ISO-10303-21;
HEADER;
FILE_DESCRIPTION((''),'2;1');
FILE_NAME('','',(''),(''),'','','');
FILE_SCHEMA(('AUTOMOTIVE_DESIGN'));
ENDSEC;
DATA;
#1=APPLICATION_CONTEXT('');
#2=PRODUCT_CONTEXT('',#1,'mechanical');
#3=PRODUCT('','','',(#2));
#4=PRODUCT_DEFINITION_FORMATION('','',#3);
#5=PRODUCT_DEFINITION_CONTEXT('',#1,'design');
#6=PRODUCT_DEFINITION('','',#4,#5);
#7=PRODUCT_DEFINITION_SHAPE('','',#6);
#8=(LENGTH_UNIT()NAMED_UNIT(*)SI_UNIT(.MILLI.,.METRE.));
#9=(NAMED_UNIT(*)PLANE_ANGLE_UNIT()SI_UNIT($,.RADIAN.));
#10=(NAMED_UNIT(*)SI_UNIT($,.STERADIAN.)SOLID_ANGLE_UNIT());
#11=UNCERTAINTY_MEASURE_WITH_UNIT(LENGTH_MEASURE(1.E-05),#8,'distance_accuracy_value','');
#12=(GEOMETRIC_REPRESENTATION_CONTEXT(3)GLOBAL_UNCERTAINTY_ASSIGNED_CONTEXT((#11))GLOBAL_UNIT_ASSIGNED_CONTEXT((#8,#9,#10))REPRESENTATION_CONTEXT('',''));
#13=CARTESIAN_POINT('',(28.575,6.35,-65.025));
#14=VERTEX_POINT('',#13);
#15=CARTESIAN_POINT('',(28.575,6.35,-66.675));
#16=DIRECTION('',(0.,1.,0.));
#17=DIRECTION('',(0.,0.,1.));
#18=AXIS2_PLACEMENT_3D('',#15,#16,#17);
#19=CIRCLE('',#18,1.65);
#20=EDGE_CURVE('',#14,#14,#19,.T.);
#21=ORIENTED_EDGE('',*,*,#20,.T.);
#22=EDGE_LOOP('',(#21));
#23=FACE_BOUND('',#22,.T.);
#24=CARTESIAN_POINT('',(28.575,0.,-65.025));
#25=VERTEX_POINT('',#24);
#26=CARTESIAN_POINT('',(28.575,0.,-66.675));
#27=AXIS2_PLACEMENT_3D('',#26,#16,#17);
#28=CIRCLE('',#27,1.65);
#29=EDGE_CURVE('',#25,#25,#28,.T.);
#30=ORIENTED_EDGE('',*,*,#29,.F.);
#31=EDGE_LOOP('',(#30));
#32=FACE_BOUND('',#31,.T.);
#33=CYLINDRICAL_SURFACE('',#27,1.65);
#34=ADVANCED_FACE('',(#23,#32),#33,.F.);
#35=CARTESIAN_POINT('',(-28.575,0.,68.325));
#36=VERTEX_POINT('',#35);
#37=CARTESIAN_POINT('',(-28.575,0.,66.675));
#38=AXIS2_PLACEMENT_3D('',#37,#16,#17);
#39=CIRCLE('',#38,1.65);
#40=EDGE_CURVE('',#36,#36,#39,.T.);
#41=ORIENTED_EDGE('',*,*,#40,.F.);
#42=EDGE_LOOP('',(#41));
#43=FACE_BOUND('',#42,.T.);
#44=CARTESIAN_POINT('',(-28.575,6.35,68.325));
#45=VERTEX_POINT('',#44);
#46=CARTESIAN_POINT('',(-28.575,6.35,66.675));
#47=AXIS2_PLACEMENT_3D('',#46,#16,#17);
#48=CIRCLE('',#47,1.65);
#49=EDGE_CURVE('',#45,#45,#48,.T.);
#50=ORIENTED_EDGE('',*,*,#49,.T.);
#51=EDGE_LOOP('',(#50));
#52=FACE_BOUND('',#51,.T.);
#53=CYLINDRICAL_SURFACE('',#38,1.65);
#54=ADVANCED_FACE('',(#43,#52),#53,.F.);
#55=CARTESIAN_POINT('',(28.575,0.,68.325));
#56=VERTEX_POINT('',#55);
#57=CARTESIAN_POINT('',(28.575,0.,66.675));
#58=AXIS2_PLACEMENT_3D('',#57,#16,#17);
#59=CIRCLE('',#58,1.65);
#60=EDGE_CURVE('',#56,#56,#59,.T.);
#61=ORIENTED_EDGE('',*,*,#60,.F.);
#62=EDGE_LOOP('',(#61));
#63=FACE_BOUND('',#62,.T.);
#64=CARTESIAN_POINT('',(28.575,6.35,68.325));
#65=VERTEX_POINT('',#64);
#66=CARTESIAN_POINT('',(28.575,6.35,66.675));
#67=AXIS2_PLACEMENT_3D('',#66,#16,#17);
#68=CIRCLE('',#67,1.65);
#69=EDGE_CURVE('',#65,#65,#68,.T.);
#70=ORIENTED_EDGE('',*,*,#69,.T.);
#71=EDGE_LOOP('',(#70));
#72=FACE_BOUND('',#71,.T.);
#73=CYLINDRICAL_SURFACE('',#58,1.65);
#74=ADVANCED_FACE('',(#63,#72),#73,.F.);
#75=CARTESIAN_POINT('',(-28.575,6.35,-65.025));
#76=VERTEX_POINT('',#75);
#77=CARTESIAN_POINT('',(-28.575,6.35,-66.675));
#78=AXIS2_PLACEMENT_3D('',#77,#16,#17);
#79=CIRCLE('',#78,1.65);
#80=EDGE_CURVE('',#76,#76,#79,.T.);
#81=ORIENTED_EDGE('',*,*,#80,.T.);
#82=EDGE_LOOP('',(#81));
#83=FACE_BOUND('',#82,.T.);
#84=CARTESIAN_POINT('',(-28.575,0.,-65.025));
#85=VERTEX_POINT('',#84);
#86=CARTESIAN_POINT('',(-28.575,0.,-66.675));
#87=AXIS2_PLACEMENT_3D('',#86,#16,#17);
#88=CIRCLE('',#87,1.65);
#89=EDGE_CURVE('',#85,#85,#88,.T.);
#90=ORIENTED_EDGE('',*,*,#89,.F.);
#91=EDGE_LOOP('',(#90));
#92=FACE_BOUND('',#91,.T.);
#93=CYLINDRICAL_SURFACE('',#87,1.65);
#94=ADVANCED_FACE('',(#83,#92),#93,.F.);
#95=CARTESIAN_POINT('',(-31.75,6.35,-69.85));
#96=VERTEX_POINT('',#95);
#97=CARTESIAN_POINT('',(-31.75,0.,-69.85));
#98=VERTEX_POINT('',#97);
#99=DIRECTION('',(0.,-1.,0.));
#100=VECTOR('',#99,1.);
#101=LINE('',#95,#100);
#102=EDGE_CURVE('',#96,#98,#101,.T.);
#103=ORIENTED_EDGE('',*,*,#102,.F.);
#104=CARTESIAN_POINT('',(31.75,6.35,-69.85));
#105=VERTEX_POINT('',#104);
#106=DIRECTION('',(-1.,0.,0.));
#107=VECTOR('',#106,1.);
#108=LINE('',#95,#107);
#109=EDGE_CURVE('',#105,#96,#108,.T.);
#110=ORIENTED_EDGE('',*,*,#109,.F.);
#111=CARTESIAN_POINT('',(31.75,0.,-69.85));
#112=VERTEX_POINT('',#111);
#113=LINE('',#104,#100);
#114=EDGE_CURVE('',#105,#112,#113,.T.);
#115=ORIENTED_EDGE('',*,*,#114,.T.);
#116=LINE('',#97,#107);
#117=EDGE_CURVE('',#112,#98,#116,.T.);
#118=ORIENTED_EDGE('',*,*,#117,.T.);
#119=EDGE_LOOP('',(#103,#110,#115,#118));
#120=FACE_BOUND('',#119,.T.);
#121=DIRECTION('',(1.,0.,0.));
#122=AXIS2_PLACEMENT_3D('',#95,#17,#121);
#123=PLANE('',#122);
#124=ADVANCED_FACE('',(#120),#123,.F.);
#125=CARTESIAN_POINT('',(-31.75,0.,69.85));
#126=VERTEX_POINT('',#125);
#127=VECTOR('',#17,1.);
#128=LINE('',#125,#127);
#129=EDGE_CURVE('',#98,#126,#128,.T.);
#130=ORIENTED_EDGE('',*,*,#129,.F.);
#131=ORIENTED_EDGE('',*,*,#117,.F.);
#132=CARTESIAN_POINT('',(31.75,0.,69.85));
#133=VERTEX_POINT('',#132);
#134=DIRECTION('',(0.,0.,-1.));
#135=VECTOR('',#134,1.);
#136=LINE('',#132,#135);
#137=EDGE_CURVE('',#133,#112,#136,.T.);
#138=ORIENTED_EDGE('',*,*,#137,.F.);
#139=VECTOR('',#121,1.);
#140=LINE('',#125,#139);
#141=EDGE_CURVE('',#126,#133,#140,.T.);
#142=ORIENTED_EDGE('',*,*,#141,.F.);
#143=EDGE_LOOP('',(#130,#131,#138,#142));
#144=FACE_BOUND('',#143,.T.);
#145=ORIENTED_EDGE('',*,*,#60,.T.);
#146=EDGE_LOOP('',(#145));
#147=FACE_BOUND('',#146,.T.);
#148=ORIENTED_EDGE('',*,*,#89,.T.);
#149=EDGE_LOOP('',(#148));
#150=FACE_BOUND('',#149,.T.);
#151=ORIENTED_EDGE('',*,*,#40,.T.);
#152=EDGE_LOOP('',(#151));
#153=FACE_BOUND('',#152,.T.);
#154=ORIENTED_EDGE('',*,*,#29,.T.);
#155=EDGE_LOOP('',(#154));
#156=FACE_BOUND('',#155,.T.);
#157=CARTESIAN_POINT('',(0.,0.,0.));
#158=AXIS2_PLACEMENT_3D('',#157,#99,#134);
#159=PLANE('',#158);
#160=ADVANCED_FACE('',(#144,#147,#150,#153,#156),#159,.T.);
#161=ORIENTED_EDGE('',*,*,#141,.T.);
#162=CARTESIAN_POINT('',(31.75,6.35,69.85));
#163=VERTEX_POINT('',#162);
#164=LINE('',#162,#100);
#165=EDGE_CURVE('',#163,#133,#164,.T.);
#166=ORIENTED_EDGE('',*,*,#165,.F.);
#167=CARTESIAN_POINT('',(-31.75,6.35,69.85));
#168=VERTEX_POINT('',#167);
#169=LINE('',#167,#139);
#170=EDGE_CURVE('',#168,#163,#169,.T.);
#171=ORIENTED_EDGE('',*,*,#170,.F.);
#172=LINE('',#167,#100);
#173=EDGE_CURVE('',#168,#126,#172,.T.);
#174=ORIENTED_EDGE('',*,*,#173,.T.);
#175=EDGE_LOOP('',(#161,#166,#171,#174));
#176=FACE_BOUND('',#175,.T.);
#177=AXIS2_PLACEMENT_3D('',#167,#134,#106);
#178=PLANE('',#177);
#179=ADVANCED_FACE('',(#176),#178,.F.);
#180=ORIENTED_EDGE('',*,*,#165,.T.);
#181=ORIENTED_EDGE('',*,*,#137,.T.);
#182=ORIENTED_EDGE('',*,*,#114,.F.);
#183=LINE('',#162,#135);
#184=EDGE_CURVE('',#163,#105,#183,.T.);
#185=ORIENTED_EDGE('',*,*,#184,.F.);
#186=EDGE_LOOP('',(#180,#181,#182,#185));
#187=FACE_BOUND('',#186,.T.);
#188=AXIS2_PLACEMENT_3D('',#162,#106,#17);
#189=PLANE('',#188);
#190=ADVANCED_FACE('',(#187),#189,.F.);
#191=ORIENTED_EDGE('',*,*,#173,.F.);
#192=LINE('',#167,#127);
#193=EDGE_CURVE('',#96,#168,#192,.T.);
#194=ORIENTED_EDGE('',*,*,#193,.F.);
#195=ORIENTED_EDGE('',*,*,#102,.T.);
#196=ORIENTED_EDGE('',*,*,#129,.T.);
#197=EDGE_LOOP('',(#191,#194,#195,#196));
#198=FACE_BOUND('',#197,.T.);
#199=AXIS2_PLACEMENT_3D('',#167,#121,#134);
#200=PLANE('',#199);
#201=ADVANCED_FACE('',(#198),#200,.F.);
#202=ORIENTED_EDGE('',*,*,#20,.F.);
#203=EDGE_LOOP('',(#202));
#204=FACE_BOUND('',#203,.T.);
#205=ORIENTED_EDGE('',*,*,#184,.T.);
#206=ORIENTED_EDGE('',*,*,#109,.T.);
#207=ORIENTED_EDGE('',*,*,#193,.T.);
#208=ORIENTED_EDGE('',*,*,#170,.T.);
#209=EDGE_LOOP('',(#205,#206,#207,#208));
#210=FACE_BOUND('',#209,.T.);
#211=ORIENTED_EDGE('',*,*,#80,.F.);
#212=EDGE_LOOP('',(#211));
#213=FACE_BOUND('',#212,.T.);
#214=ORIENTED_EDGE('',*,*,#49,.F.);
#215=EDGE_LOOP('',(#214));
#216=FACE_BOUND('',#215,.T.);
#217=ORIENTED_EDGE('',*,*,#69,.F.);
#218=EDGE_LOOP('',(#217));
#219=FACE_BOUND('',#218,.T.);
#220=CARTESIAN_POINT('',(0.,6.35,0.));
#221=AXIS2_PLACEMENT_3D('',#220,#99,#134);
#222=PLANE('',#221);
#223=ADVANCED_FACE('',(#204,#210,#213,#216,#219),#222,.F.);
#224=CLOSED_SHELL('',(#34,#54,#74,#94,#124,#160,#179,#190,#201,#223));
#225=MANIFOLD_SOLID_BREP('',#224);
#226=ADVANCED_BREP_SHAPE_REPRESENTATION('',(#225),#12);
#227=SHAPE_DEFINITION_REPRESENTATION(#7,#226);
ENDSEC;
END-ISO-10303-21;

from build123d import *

# Parameters (mm, degrees)
SKETCH1_W           = 63.5
SKETCH1_H           = 139.7
BOSS_EXTRUDE1_DEPTH = 6.35
SKETCH3_R           = 1.65
CUT_EXTRUDE1_DEPTH  = 77.989658396


with BuildPart() as part:
    # Sketch1 → Boss-Extrude1 (new body)
    with BuildSketch(Plane(origin=(0, 0, 0), x_dir=(1, 0, 0), z_dir=(0, 1, 0))):
        Rectangle(SKETCH1_W, SKETCH1_H)
    extrude(amount=BOSS_EXTRUDE1_DEPTH)

    # Sketch3 → Cut-Extrude1 (cut, through all)
    with BuildSketch(Plane(origin=(0, 6.35, 0), x_dir=(1, 0, 0), z_dir=(0, 1, 0))):
        with Locations(Location((28.575, 66.675, 0), (0, 0, 270))):
            Circle(SKETCH3_R)
        with Locations(Location((28.575, -66.675, 0), (0, 0, 270))):
            Circle(SKETCH3_R)
        with Locations(Location((-28.575, -66.675, 0), (0, 0, 270))):
            Circle(SKETCH3_R)
        with Locations(Location((-28.575, 66.675, 0), (0, 0, 270))):
            Circle(SKETCH3_R)
    extrude(amount=-CUT_EXTRUDE1_DEPTH, mode=Mode.SUBTRACT)


solid = part.part
